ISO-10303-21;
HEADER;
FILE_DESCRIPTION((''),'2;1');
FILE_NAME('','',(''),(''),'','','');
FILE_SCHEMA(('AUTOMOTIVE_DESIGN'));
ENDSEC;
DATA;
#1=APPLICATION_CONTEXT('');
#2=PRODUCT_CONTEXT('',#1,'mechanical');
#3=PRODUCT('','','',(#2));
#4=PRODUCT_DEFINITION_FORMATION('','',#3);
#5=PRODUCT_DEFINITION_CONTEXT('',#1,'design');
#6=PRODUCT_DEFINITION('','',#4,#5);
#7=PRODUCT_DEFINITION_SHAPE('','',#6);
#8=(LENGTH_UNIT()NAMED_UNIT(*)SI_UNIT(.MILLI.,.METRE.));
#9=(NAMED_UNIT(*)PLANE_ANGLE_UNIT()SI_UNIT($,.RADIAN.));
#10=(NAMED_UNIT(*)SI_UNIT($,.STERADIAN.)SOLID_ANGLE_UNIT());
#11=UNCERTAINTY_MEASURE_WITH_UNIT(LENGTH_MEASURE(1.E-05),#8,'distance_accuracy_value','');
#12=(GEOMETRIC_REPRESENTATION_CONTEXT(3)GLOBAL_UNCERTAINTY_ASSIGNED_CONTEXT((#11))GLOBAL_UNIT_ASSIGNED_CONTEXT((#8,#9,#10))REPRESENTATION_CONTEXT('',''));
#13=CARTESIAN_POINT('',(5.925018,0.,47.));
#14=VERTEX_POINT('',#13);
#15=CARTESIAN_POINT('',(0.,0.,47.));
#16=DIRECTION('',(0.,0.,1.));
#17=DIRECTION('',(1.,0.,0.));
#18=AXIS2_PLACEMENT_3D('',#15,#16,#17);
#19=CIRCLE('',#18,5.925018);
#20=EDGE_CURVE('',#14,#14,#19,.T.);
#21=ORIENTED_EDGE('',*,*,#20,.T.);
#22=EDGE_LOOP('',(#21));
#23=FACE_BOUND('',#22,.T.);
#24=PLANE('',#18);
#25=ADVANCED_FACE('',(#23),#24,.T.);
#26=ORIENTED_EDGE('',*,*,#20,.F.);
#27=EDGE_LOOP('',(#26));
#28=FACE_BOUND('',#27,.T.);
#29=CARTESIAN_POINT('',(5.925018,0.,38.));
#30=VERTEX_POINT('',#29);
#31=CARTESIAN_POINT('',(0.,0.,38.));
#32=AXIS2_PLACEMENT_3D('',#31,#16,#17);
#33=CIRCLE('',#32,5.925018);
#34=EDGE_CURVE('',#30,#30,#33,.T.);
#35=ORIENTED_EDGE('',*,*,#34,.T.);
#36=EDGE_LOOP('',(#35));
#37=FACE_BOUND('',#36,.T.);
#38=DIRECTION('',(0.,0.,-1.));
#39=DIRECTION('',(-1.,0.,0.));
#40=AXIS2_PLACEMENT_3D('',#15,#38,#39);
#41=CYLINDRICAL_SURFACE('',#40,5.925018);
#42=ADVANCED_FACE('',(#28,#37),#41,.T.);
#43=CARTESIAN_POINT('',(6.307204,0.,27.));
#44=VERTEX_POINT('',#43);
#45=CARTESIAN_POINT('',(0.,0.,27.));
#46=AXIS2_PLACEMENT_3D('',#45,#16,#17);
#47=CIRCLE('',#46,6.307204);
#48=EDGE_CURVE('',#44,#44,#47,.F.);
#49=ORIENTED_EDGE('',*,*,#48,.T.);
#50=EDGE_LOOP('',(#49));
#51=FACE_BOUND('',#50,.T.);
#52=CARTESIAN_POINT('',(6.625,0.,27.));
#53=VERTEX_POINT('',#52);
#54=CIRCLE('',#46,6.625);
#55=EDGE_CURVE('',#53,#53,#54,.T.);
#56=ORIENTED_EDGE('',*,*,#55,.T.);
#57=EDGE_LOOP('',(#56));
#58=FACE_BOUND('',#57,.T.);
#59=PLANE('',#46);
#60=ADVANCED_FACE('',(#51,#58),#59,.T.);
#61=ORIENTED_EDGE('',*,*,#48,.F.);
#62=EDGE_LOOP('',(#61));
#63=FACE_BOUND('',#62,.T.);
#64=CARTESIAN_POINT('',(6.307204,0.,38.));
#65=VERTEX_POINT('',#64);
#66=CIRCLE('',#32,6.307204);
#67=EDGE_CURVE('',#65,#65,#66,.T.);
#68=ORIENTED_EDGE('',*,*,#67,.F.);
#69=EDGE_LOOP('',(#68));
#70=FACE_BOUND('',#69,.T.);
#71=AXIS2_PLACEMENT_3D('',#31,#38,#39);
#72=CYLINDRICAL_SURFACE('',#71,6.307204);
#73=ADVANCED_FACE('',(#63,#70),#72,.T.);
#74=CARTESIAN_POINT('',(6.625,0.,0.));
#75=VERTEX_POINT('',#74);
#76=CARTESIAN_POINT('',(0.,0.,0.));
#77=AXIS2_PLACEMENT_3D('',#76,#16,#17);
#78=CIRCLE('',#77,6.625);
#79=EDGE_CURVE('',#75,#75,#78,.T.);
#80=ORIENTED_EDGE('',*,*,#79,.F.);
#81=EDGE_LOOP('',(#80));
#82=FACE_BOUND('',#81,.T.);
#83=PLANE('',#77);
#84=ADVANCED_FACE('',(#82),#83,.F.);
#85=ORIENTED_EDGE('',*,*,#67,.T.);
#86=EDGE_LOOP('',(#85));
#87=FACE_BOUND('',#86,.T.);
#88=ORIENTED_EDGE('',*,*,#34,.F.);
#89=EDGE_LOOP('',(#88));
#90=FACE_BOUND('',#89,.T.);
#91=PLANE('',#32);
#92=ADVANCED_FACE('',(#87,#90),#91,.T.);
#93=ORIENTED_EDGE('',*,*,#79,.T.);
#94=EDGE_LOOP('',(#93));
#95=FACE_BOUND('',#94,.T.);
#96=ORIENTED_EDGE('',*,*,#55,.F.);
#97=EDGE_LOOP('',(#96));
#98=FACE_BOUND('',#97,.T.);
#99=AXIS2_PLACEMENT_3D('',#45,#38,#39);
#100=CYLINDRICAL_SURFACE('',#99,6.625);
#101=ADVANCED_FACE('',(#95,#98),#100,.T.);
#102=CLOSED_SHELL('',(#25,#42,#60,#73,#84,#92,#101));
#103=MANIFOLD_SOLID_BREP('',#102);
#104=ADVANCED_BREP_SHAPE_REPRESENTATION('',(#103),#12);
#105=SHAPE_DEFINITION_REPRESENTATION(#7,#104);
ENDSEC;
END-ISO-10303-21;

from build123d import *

# Parameters (mm, degrees)
SKETCH1_R           = 6.625
BOSS_EXTRUDE1_DEPTH = 27
SKETCH1_3_R         = 6.307204498
BOSS_EXTRUDE2_DEPTH = 38
SKETCH2_R           = 5.925018159
BOSS_EXTRUDE3_DEPTH = 9


with BuildPart() as part:
    # Sketch1 → Boss-Extrude1 (new body)
    with BuildSketch(Plane.XY):
        Circle(SKETCH1_R)
    extrude(amount=BOSS_EXTRUDE1_DEPTH)

    # Sketch1<3> → Boss-Extrude2 (add)
    with BuildSketch(Plane.XY):
        Circle(SKETCH1_3_R)
    extrude(amount=BOSS_EXTRUDE2_DEPTH)

    # Sketch2 → Boss-Extrude3 (add)
    with BuildSketch(Plane.XY.offset(38)):
        Circle(SKETCH2_R)
    extrude(amount=BOSS_EXTRUDE3_DEPTH)


solid = part.part
